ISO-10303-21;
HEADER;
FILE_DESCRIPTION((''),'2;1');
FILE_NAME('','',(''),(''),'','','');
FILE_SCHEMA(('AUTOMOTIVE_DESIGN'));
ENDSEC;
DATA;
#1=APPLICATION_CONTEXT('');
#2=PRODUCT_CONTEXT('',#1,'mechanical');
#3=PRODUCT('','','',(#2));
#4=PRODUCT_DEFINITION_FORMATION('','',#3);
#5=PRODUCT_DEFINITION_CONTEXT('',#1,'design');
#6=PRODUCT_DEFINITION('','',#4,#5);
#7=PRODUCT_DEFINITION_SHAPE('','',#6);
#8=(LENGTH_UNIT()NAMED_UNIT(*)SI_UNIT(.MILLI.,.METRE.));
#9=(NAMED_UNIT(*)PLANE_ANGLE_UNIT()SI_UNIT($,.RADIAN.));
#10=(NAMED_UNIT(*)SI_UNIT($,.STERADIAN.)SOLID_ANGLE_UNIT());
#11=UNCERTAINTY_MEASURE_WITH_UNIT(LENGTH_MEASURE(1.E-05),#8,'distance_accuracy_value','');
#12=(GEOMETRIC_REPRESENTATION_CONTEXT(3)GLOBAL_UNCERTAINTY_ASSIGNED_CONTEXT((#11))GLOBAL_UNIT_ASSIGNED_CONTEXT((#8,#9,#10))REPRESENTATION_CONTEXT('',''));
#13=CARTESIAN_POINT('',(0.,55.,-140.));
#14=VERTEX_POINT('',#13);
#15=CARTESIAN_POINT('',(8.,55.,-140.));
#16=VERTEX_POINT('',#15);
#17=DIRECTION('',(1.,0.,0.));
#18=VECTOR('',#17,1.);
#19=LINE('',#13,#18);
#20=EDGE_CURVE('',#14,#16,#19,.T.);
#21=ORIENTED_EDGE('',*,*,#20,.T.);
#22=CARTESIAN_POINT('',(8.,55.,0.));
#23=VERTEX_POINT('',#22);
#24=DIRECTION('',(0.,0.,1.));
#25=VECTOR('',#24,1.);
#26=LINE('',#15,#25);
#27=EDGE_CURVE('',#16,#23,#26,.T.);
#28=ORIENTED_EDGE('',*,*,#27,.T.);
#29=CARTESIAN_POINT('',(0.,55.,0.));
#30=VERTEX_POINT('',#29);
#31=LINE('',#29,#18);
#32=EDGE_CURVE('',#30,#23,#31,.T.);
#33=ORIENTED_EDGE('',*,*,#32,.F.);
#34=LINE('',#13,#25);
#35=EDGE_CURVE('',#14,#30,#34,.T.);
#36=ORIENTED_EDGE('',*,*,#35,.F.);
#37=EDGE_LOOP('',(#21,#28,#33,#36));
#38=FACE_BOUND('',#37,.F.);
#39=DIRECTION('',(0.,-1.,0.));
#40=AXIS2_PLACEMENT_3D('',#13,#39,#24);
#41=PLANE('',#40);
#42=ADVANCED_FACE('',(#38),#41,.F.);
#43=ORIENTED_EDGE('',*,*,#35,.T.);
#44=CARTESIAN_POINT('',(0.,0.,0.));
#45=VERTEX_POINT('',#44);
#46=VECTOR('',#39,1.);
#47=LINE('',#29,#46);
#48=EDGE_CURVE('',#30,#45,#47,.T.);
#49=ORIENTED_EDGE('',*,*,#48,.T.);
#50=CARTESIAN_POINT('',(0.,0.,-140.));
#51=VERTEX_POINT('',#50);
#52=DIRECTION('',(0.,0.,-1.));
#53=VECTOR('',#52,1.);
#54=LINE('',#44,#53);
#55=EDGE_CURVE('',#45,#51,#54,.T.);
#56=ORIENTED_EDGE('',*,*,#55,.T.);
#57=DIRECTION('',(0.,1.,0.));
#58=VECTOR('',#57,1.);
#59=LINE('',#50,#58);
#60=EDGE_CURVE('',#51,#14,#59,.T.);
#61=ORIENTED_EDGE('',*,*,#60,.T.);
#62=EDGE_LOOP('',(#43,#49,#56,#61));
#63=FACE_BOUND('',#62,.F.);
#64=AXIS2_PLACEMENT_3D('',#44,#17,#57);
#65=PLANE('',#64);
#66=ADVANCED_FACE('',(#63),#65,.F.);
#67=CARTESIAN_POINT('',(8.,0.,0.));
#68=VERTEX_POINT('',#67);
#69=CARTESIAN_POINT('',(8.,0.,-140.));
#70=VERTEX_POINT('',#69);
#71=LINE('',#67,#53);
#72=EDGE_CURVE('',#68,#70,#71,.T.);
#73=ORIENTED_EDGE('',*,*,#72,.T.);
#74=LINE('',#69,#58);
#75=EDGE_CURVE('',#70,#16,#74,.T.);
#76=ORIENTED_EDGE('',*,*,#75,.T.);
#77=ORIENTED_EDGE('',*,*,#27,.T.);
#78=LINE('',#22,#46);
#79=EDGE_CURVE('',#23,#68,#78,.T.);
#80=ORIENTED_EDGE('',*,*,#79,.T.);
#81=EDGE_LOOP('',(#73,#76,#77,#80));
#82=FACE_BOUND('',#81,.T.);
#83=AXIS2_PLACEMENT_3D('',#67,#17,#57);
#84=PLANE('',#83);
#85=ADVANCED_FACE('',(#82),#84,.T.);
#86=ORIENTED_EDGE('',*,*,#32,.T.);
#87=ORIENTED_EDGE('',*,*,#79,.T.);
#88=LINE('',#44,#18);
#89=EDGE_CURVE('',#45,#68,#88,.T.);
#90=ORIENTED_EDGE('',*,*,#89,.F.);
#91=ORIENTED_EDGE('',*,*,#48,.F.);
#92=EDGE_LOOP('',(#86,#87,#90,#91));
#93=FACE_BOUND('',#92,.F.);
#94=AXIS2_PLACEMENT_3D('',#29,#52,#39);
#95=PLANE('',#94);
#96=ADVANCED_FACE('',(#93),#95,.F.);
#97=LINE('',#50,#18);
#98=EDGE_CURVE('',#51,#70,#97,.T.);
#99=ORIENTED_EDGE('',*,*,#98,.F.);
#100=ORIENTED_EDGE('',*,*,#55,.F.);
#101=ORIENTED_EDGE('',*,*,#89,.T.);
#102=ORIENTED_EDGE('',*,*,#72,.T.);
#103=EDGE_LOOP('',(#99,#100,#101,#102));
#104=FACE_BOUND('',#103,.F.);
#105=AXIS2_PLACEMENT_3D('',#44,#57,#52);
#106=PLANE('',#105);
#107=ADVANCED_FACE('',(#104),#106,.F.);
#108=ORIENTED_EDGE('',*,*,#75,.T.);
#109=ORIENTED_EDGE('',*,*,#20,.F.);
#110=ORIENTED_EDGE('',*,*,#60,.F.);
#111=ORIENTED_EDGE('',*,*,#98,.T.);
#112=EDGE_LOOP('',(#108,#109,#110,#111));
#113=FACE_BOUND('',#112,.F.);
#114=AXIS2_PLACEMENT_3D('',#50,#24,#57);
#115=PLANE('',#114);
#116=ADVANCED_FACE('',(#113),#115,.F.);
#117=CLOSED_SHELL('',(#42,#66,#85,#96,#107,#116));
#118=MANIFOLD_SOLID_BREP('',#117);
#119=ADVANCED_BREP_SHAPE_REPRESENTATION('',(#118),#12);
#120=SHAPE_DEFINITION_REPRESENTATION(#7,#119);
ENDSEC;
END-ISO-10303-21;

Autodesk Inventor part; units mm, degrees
ref_plane "YZ Plane" through (0, 0, 0) normal (1, 0, 0) x (0, 1, 0)
ref_plane "XZ Plane" through (0, 0, 0) normal (0, 1, 0) x (-1, 0, 0)
ref_plane "XY Plane" through (0, 0, 0) normal (0, 0, 1) x (1, 0, 0)
sketch "Szkic1" plane through (0, 0, 0) normal (1, 0, 0) x (0, 1, 0)
  line L0 (0, 0) -> (0, -140)
  line L1 (0, -140) -> (55, -140)
  line L2 (55, -140) -> (55, 0)
  line L3 (55, 0) -> (0, 0)
  dimension "d0" = 140
  dimension "d1" = 55
  dimension "d2" = 140
extrude "Wyciągnięcie proste1" add sketch "Szkic1" along normal blind 8
properties part number "tylprzod"
